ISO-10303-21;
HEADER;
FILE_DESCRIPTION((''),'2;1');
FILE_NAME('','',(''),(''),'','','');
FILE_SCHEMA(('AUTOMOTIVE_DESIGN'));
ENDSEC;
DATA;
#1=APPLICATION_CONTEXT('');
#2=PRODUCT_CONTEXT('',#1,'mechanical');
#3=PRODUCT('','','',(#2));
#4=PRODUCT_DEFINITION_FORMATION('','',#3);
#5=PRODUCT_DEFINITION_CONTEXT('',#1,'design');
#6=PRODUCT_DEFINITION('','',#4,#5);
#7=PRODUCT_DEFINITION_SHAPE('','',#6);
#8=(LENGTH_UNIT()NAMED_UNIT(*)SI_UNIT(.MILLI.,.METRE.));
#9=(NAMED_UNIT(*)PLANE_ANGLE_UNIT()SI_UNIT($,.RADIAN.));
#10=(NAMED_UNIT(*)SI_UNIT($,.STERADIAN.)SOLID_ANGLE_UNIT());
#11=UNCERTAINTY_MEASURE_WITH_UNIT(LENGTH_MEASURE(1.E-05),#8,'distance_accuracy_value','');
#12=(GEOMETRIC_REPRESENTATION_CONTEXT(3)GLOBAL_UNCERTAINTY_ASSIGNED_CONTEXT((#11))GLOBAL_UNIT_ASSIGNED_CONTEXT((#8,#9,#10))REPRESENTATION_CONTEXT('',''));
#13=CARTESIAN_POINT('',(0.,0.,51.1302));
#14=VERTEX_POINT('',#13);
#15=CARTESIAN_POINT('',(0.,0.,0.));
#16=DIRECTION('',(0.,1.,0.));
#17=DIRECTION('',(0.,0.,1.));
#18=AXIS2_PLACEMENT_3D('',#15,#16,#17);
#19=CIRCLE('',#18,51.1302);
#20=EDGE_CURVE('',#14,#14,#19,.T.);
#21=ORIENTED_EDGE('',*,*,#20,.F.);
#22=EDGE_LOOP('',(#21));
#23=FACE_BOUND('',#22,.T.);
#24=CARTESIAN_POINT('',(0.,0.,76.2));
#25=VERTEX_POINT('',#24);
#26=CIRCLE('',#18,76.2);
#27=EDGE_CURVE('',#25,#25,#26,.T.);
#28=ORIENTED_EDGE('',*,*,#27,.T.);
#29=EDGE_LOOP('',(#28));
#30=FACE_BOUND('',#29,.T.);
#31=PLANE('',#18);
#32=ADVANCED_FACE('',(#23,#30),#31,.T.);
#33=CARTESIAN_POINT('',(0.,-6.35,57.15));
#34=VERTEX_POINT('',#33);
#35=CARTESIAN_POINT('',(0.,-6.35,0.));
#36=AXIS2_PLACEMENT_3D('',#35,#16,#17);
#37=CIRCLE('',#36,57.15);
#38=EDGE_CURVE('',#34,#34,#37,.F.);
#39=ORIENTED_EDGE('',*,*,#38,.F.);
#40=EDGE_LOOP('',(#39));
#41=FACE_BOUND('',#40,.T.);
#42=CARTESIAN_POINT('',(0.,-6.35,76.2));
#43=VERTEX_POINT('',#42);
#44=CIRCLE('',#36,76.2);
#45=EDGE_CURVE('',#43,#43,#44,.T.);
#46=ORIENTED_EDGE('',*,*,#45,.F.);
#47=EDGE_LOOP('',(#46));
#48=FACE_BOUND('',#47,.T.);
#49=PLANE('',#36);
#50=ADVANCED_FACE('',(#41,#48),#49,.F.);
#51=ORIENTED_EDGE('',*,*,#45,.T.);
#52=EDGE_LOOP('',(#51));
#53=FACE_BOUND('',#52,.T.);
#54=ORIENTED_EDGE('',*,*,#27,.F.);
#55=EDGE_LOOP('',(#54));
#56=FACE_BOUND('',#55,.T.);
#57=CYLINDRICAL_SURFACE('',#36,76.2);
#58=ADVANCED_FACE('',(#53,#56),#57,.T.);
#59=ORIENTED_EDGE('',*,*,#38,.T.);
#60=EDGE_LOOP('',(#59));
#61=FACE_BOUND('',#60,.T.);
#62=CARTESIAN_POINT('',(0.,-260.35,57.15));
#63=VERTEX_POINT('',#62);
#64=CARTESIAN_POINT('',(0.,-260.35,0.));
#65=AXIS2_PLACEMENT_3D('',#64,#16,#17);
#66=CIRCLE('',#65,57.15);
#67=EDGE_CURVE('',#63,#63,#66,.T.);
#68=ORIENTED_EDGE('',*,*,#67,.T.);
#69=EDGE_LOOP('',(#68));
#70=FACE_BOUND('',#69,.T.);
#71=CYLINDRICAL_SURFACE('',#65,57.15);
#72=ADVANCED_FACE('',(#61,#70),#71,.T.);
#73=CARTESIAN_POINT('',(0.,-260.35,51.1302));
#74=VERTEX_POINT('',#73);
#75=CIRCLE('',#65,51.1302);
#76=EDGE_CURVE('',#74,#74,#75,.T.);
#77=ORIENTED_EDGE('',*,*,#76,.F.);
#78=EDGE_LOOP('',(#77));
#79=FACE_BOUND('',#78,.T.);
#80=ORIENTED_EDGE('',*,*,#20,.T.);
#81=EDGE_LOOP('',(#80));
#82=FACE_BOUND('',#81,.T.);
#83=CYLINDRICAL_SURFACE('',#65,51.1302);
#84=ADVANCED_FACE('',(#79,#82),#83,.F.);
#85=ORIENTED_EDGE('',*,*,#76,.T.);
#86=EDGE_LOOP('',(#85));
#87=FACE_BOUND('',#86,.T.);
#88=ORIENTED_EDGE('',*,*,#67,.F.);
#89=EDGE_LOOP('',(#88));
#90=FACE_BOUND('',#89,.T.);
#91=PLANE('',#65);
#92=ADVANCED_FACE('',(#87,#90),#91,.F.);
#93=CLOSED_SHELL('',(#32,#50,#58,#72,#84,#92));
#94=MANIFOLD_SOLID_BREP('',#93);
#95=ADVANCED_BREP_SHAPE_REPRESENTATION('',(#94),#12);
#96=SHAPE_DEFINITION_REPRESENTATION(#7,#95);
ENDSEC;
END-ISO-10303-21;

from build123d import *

# Parameters (mm, degrees)
SKETCH1_R               = 57.15
SKETCH1_R_2             = 51.1302
SCHEDULED_CHAMBER_DEPTH = 260.35
SKETCH2_R               = 76.2
SKETCH2_R_2             = 54.102
FLANGE_DEPTH            = 6.35


with BuildPart() as part:
    # Sketch1 → Scheduled Chamber (new body)
    with BuildSketch(Plane(origin=(0, 0, 0), x_dir=(1, 0, 0), z_dir=(0, 1, 0))):
        Circle(SKETCH1_R)
        Circle(SKETCH1_R_2, mode=Mode.SUBTRACT)
    extrude(amount=-SCHEDULED_CHAMBER_DEPTH)

    # Sketch2 → Flange (add)
    with BuildSketch(Plane(origin=(0, 0, 0), x_dir=(1, 0, 0), z_dir=(0, 1, 0))):
        Circle(SKETCH2_R)
        Circle(SKETCH2_R_2, mode=Mode.SUBTRACT)
    extrude(amount=-FLANGE_DEPTH)


solid = part.part
